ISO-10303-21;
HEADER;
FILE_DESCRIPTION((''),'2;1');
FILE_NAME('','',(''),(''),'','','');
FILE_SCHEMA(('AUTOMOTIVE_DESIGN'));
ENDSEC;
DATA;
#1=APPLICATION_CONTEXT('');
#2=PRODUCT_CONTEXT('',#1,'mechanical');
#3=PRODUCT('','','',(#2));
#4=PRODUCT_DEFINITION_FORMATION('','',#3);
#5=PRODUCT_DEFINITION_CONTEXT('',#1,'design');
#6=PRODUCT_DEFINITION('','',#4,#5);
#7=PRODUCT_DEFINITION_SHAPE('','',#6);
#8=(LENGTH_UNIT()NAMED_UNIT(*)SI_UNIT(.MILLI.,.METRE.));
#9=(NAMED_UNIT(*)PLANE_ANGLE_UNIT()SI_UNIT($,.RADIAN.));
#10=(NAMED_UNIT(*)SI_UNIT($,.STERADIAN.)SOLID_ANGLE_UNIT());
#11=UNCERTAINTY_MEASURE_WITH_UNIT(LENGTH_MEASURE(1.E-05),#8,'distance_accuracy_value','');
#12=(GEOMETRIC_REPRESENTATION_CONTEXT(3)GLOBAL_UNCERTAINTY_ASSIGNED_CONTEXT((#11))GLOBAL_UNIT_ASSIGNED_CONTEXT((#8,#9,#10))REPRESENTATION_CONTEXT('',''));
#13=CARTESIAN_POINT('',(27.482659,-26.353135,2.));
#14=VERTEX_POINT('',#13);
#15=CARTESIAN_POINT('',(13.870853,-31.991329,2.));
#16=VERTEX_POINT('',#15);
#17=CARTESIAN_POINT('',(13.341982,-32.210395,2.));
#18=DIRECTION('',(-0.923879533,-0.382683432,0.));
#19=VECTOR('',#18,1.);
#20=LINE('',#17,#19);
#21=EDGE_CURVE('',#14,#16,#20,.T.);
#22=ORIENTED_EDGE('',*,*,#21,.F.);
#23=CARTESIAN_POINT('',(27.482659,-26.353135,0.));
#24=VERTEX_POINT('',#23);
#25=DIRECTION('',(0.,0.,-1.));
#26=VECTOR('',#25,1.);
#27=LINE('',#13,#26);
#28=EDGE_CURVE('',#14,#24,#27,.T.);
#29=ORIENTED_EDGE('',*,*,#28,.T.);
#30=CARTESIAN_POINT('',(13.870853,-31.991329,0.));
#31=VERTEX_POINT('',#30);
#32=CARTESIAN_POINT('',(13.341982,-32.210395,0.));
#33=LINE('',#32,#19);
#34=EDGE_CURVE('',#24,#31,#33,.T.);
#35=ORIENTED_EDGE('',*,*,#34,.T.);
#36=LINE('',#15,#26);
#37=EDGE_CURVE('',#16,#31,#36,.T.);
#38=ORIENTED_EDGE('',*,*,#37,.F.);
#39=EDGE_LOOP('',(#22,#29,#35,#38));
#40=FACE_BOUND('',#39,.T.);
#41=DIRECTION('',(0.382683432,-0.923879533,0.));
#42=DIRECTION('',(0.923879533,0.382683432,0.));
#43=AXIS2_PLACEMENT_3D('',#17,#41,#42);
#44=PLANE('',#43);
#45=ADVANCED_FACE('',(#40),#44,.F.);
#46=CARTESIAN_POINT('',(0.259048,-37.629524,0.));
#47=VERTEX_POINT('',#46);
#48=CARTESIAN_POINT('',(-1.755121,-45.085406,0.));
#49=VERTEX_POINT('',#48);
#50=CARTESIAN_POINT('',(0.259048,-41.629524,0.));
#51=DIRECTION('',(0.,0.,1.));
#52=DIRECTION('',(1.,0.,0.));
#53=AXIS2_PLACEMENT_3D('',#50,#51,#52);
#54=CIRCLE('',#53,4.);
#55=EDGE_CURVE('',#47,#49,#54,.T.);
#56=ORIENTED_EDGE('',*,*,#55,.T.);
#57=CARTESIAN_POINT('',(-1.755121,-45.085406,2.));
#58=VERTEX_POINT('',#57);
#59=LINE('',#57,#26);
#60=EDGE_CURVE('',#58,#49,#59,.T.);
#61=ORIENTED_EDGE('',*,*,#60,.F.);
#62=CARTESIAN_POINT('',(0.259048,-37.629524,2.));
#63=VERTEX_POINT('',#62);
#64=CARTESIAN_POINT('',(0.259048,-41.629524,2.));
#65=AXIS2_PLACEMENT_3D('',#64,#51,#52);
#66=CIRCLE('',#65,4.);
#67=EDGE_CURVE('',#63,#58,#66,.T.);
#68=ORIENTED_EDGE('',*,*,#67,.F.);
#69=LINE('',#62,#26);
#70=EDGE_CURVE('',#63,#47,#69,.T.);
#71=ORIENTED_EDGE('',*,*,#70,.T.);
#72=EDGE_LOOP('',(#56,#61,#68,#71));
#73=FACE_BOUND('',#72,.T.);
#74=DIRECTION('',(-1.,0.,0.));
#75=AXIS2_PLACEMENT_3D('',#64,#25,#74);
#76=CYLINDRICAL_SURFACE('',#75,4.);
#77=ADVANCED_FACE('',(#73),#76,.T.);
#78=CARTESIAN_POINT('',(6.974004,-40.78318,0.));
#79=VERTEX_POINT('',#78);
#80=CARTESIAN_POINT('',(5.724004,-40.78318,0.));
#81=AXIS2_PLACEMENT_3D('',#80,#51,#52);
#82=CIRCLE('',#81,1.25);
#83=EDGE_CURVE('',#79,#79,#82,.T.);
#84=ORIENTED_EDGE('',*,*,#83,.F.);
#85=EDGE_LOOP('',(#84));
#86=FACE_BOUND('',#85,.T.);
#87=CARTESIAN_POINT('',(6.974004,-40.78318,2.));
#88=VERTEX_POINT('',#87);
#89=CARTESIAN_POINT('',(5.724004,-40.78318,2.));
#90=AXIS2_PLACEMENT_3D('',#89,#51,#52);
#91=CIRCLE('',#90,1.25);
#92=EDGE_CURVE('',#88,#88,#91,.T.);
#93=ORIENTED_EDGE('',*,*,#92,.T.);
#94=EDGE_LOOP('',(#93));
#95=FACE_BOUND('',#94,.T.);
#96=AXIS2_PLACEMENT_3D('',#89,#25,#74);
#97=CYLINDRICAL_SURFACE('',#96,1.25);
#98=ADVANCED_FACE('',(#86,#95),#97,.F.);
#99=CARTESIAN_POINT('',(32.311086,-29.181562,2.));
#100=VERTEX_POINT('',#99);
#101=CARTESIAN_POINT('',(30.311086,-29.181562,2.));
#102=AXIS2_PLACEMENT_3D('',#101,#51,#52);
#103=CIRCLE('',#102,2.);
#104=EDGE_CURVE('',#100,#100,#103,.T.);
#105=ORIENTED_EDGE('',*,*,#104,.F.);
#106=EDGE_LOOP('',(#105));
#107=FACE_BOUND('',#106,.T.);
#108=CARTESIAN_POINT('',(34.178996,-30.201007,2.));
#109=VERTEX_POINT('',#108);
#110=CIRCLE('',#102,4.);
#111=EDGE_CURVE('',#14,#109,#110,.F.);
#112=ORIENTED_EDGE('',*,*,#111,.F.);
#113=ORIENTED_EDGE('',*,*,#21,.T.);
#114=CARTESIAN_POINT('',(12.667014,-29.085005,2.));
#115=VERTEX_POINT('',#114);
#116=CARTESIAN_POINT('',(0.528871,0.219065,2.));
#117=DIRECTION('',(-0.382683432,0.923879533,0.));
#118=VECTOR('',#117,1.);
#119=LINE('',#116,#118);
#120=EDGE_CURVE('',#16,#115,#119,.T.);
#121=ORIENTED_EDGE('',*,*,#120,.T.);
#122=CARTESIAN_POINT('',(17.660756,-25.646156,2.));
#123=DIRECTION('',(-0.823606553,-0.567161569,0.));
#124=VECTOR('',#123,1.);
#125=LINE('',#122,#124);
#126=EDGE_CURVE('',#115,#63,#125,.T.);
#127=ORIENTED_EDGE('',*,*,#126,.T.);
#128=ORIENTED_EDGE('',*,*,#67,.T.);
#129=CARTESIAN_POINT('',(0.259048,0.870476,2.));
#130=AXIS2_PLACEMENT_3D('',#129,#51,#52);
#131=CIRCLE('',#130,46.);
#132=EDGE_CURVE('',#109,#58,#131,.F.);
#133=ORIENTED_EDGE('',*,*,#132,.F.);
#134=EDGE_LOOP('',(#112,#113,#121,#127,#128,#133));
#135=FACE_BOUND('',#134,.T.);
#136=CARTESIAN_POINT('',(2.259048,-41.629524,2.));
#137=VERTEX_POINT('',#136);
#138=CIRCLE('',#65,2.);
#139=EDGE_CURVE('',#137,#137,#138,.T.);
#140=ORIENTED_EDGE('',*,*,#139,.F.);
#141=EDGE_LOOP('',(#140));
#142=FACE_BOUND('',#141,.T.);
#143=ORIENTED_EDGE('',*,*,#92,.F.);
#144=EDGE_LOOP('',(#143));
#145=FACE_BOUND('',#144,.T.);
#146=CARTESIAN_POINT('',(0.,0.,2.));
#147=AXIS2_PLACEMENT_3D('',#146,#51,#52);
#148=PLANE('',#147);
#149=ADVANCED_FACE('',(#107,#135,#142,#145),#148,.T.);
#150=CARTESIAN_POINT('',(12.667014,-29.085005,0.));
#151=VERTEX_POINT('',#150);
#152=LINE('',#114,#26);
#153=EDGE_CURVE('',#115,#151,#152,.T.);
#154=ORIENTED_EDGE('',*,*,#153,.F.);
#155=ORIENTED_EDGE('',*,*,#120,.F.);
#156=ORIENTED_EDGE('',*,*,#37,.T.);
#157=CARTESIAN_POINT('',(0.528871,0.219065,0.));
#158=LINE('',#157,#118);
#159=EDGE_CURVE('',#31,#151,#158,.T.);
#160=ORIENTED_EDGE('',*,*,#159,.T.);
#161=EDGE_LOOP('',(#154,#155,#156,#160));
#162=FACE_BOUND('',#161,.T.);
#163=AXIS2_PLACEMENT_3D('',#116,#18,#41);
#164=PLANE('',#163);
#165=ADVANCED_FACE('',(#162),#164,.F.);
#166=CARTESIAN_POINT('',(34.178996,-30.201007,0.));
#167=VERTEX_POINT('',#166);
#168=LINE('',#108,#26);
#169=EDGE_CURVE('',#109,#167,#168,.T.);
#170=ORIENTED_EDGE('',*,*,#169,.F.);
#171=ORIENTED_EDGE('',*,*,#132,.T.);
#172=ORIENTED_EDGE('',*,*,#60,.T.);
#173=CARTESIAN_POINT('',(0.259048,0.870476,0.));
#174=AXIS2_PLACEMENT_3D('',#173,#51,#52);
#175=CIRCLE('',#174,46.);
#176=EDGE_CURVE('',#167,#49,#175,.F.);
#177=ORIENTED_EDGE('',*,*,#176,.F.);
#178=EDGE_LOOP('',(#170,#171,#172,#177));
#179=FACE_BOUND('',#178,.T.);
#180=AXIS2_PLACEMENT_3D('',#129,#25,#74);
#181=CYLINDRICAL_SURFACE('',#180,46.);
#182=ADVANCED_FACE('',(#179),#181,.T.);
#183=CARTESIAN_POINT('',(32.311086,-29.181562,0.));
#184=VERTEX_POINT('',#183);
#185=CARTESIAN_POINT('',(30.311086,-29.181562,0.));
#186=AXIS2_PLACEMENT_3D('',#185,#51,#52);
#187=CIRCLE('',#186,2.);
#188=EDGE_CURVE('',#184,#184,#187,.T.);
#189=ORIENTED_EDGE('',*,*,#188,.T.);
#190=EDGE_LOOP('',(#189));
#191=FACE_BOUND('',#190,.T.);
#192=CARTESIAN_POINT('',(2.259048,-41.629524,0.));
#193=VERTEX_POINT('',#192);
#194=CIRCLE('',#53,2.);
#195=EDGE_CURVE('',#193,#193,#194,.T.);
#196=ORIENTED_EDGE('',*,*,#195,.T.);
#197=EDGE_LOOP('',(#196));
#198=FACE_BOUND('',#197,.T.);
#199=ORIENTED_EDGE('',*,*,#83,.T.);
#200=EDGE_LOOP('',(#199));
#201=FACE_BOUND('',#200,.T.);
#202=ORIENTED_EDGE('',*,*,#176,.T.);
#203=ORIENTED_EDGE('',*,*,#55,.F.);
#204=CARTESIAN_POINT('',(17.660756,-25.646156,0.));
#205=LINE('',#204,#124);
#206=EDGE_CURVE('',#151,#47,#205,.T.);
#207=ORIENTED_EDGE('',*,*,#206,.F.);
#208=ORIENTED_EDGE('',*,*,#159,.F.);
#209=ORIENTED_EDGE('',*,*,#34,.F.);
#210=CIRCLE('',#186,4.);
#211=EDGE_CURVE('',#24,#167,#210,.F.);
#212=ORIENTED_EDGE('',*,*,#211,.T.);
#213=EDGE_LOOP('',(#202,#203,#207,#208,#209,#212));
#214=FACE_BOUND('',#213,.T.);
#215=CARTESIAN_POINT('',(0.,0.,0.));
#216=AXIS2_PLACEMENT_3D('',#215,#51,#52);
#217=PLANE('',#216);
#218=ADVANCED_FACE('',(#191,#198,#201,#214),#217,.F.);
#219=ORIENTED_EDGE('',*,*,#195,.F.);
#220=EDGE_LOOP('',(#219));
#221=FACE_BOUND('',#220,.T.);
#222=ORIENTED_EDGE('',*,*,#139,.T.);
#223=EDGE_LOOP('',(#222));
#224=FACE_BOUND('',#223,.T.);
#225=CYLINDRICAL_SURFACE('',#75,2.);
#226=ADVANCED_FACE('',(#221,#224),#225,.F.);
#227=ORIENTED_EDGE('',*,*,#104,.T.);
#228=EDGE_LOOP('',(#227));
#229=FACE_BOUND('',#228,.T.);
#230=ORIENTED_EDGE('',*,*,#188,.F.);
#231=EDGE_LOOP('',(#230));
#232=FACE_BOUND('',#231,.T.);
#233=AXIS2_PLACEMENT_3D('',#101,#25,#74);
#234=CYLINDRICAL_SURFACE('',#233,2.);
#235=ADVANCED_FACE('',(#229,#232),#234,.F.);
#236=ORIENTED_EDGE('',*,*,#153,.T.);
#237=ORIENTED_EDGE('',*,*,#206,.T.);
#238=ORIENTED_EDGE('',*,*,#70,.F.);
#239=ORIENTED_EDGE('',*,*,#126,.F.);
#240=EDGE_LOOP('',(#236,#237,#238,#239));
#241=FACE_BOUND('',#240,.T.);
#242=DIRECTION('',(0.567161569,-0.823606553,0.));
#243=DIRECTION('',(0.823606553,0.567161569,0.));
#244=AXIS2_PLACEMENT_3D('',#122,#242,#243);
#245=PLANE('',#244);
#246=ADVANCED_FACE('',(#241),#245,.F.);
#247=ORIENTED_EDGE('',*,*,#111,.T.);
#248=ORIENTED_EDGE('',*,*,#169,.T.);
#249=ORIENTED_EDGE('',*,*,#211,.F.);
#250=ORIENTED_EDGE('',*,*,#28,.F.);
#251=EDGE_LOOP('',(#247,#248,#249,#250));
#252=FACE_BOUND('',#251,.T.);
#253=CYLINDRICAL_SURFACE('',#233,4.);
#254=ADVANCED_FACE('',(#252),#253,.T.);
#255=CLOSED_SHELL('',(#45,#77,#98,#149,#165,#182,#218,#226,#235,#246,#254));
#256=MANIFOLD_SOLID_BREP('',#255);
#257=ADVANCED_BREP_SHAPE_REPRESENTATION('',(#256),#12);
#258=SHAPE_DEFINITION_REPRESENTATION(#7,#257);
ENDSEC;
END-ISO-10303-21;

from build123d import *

# Parameters (mm, degrees)
SKETCH_1_R      = 2
SKETCH_1_R_2    = 1.25
EXTRUDE_1_DEPTH = 2


with BuildPart() as part:
    # 草图1 → 凸台-拉伸1 (new body)
    with BuildSketch(Plane.XY):
        with BuildLine():
            Line((12.667014152, -29.085004895), (0.259047619, -37.62952381))
            ThreePointArc((0.259047619, -37.62952381), (-3.602527799, -40.586338642), (-1.755121481, -45.085406162))
            ThreePointArc((-1.755121481, -45.085406162), (17.862485508, -41.627982305), (34.178996295, -30.201007228))
            ThreePointArc((34.178996295, -30.201007228), (32.303988677, -25.71337254), (27.482658695, -26.353134885))
            Line((27.482658695, -26.353134885), (13.870853157, -31.991329347))
            Line((13.870853157, -31.991329347), (12.667014152, -29.085004895))
        make_face()
        with Locations((0.259047619, -41.62952381)):
            Circle(SKETCH_1_R, mode=Mode.SUBTRACT)
        with Locations((30.311085819, -29.18156201)):
            Circle(SKETCH_1_R, mode=Mode.SUBTRACT)
        with Locations((5.724004276, -40.783180011)):
            Circle(SKETCH_1_R_2, mode=Mode.SUBTRACT)
    extrude(amount=EXTRUDE_1_DEPTH)


solid = part.part
